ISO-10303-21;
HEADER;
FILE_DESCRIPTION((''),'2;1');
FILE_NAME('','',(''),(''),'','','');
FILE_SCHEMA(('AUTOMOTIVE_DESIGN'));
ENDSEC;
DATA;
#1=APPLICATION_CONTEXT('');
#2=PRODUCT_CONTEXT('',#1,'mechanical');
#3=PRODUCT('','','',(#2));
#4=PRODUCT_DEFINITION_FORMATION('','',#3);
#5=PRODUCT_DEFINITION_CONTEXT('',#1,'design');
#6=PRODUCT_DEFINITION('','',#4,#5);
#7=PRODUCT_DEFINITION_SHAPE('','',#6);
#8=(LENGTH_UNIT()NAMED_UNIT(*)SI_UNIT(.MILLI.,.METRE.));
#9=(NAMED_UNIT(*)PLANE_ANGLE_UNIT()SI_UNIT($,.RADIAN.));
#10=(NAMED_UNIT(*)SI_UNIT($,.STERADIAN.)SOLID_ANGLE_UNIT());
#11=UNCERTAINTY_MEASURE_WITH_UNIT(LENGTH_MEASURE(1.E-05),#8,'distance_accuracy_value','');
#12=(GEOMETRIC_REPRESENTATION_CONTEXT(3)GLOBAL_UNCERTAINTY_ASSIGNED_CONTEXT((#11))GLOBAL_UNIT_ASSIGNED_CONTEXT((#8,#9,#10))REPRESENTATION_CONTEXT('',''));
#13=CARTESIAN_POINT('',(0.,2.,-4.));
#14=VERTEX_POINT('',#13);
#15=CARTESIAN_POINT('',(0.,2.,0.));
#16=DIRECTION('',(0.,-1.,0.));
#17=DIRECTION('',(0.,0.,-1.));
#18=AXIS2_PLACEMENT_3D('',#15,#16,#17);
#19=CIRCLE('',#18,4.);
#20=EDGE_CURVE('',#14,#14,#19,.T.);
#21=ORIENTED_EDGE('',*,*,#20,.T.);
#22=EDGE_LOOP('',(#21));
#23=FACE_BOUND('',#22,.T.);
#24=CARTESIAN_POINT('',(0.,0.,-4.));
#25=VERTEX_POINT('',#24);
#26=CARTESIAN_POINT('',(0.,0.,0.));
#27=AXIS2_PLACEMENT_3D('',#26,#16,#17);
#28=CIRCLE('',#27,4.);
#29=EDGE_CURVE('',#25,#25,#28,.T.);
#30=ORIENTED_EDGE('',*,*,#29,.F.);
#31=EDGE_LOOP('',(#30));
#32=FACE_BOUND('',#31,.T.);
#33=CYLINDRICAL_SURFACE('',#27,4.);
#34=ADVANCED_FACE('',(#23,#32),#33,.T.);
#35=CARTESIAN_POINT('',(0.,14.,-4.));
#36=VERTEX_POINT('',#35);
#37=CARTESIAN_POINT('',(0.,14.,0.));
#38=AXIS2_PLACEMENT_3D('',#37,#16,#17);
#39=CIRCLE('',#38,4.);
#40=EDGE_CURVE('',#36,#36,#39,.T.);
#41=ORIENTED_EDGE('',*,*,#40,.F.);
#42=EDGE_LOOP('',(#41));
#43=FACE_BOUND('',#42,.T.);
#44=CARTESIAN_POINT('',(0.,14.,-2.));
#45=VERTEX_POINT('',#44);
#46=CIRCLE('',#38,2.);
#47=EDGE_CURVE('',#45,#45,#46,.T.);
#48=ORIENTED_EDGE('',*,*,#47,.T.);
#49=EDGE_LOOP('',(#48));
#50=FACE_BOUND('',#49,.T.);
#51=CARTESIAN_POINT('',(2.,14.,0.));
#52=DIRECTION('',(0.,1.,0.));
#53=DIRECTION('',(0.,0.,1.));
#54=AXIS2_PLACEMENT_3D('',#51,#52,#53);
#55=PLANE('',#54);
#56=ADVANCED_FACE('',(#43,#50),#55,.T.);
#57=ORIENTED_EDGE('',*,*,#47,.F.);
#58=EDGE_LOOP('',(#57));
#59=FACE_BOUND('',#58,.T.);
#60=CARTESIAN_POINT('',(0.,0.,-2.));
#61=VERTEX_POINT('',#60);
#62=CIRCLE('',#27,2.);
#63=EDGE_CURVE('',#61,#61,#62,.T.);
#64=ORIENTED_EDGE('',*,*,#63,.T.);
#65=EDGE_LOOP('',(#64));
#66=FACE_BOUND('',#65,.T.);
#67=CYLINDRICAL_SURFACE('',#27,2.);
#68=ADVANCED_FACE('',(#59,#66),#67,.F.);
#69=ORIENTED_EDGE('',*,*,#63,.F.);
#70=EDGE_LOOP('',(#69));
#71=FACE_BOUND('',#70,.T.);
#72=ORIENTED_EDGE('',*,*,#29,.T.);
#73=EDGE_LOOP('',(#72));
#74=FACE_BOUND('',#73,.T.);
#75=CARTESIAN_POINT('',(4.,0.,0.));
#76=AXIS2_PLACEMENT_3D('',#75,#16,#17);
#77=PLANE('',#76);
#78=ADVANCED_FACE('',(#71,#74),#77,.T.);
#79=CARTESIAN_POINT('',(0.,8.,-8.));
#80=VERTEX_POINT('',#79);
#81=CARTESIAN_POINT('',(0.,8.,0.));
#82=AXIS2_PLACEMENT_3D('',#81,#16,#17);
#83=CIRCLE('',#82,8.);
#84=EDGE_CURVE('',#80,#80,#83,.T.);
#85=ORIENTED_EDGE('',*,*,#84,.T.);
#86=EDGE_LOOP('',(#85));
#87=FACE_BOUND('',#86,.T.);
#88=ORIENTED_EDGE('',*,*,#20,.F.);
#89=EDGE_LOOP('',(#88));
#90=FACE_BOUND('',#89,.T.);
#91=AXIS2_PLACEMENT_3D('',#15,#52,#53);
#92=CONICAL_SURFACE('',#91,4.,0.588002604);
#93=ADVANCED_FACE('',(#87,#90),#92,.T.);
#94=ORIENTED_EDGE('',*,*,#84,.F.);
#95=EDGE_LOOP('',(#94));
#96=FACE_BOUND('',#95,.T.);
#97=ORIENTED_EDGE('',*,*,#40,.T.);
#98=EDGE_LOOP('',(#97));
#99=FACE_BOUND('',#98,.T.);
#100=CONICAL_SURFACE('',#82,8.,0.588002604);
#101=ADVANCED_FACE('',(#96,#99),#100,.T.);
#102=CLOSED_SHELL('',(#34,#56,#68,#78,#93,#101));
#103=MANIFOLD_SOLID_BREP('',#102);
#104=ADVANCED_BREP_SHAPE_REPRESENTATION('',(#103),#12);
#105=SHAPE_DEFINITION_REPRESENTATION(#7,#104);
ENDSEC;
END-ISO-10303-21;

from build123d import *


with BuildPart() as part:
    # Sketch1 → Revolve1 (revolve)
    with BuildSketch(Plane.XY, mode=Mode.PRIVATE) as revolve1_sk:
        Polygon((2, 0), (2, 14), (4, 14), (8, 8), (4, 2), (4, 0), align=None)
    revolve(revolve1_sk.sketch.rotate(Axis((0, 0, 0), (0, 1, 0)), 90), axis=Axis((0, 0, 0), (0, 1, 0)))


solid = part.part
